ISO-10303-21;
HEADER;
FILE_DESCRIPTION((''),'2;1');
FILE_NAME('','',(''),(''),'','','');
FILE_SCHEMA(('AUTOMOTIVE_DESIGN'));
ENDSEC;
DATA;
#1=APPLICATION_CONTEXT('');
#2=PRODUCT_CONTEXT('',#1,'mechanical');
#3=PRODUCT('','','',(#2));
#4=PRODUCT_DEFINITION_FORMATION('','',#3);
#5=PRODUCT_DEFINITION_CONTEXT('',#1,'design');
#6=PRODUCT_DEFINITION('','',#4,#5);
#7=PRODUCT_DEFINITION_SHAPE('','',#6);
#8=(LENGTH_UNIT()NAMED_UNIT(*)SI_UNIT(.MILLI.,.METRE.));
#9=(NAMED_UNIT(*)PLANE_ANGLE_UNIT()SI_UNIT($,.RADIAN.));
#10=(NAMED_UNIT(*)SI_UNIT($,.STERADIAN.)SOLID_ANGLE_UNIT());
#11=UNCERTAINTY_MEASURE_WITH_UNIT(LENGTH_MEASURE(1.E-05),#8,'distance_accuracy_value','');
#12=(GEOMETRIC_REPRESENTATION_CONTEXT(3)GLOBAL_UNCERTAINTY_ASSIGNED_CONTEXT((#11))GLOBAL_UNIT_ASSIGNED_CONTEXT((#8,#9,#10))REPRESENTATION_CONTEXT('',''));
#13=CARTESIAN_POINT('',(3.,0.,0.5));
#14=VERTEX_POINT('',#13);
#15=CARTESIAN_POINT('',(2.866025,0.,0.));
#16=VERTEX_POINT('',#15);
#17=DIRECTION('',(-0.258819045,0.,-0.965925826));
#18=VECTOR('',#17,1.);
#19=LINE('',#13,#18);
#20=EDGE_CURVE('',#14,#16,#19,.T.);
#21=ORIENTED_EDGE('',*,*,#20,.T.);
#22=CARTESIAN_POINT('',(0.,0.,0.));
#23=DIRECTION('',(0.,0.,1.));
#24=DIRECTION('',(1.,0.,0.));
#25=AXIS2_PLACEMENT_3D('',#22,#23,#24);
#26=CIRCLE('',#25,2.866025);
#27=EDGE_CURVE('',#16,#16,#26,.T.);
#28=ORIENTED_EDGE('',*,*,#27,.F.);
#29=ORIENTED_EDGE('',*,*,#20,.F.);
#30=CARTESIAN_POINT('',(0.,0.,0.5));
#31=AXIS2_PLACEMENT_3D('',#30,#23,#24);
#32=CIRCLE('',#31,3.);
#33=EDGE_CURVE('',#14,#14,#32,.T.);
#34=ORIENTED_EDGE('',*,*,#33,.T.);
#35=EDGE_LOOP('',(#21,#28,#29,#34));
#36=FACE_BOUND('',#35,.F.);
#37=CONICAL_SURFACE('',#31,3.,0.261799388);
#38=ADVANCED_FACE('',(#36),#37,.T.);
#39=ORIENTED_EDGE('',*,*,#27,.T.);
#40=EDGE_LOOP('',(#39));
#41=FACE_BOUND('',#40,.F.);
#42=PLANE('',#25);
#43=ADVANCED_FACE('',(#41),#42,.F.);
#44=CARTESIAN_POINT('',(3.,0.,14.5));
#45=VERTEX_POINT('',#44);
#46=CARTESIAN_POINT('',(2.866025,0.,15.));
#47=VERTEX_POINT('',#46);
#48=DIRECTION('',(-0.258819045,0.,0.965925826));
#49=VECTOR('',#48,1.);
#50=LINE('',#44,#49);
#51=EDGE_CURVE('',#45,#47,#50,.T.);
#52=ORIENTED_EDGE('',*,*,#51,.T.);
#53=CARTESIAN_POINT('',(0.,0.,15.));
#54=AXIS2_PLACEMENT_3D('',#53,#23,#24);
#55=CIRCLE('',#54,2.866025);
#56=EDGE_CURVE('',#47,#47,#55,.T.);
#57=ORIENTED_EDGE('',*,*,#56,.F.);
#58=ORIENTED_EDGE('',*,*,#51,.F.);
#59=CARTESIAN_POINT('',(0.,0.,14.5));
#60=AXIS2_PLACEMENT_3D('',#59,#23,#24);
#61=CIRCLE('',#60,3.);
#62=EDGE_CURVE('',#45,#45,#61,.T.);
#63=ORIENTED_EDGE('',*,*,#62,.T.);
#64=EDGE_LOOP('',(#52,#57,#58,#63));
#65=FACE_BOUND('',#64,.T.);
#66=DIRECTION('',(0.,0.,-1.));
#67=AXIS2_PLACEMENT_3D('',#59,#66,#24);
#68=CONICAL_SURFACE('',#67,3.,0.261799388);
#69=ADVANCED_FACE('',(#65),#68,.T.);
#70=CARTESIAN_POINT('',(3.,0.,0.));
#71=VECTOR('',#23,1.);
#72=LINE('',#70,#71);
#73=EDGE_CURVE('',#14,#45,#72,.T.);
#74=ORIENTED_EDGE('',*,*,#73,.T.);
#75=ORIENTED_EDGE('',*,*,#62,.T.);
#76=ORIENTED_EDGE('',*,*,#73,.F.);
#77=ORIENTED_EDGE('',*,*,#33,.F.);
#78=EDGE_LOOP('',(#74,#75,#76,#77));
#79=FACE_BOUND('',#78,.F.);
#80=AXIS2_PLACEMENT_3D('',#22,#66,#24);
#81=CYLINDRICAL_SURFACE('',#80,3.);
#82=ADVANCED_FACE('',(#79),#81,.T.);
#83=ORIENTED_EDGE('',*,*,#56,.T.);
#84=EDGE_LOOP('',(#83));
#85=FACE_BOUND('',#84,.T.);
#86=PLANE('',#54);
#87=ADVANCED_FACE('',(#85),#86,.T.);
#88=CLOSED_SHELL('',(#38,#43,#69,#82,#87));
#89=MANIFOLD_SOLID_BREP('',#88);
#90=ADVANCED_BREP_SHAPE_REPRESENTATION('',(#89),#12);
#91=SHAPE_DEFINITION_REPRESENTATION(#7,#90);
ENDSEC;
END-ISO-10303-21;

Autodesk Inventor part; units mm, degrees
ref_plane "YZ Plane" through (0, 0, 0) normal (1, 0, 0) x (0, 1, 0)
ref_plane "XZ Plane" through (0, 0, 0) normal (0, 1, 0) x (-1, 0, 0)
ref_plane "XY Plane" through (0, 0, 0) normal (0, 0, 1) x (1, 0, 0)
sketch "スケッチ1" plane through (0, 0, 0) normal (0, 0, 1) x (1, 0, 0)
  circle A0 centre (0, 0) radius 3
  dimension "d0" = 6
extrude "押し出し1" add sketch "スケッチ1" along normal blind 15
chamfer "面取り1" distance 0.5 angle 15 2 edges at (-3, 0, 0) (-3, 0, 15) measured on face at (2.9903, -0.2414, 10)
properties part number "平行ピンD6L15" material "ステンレス鋼"
